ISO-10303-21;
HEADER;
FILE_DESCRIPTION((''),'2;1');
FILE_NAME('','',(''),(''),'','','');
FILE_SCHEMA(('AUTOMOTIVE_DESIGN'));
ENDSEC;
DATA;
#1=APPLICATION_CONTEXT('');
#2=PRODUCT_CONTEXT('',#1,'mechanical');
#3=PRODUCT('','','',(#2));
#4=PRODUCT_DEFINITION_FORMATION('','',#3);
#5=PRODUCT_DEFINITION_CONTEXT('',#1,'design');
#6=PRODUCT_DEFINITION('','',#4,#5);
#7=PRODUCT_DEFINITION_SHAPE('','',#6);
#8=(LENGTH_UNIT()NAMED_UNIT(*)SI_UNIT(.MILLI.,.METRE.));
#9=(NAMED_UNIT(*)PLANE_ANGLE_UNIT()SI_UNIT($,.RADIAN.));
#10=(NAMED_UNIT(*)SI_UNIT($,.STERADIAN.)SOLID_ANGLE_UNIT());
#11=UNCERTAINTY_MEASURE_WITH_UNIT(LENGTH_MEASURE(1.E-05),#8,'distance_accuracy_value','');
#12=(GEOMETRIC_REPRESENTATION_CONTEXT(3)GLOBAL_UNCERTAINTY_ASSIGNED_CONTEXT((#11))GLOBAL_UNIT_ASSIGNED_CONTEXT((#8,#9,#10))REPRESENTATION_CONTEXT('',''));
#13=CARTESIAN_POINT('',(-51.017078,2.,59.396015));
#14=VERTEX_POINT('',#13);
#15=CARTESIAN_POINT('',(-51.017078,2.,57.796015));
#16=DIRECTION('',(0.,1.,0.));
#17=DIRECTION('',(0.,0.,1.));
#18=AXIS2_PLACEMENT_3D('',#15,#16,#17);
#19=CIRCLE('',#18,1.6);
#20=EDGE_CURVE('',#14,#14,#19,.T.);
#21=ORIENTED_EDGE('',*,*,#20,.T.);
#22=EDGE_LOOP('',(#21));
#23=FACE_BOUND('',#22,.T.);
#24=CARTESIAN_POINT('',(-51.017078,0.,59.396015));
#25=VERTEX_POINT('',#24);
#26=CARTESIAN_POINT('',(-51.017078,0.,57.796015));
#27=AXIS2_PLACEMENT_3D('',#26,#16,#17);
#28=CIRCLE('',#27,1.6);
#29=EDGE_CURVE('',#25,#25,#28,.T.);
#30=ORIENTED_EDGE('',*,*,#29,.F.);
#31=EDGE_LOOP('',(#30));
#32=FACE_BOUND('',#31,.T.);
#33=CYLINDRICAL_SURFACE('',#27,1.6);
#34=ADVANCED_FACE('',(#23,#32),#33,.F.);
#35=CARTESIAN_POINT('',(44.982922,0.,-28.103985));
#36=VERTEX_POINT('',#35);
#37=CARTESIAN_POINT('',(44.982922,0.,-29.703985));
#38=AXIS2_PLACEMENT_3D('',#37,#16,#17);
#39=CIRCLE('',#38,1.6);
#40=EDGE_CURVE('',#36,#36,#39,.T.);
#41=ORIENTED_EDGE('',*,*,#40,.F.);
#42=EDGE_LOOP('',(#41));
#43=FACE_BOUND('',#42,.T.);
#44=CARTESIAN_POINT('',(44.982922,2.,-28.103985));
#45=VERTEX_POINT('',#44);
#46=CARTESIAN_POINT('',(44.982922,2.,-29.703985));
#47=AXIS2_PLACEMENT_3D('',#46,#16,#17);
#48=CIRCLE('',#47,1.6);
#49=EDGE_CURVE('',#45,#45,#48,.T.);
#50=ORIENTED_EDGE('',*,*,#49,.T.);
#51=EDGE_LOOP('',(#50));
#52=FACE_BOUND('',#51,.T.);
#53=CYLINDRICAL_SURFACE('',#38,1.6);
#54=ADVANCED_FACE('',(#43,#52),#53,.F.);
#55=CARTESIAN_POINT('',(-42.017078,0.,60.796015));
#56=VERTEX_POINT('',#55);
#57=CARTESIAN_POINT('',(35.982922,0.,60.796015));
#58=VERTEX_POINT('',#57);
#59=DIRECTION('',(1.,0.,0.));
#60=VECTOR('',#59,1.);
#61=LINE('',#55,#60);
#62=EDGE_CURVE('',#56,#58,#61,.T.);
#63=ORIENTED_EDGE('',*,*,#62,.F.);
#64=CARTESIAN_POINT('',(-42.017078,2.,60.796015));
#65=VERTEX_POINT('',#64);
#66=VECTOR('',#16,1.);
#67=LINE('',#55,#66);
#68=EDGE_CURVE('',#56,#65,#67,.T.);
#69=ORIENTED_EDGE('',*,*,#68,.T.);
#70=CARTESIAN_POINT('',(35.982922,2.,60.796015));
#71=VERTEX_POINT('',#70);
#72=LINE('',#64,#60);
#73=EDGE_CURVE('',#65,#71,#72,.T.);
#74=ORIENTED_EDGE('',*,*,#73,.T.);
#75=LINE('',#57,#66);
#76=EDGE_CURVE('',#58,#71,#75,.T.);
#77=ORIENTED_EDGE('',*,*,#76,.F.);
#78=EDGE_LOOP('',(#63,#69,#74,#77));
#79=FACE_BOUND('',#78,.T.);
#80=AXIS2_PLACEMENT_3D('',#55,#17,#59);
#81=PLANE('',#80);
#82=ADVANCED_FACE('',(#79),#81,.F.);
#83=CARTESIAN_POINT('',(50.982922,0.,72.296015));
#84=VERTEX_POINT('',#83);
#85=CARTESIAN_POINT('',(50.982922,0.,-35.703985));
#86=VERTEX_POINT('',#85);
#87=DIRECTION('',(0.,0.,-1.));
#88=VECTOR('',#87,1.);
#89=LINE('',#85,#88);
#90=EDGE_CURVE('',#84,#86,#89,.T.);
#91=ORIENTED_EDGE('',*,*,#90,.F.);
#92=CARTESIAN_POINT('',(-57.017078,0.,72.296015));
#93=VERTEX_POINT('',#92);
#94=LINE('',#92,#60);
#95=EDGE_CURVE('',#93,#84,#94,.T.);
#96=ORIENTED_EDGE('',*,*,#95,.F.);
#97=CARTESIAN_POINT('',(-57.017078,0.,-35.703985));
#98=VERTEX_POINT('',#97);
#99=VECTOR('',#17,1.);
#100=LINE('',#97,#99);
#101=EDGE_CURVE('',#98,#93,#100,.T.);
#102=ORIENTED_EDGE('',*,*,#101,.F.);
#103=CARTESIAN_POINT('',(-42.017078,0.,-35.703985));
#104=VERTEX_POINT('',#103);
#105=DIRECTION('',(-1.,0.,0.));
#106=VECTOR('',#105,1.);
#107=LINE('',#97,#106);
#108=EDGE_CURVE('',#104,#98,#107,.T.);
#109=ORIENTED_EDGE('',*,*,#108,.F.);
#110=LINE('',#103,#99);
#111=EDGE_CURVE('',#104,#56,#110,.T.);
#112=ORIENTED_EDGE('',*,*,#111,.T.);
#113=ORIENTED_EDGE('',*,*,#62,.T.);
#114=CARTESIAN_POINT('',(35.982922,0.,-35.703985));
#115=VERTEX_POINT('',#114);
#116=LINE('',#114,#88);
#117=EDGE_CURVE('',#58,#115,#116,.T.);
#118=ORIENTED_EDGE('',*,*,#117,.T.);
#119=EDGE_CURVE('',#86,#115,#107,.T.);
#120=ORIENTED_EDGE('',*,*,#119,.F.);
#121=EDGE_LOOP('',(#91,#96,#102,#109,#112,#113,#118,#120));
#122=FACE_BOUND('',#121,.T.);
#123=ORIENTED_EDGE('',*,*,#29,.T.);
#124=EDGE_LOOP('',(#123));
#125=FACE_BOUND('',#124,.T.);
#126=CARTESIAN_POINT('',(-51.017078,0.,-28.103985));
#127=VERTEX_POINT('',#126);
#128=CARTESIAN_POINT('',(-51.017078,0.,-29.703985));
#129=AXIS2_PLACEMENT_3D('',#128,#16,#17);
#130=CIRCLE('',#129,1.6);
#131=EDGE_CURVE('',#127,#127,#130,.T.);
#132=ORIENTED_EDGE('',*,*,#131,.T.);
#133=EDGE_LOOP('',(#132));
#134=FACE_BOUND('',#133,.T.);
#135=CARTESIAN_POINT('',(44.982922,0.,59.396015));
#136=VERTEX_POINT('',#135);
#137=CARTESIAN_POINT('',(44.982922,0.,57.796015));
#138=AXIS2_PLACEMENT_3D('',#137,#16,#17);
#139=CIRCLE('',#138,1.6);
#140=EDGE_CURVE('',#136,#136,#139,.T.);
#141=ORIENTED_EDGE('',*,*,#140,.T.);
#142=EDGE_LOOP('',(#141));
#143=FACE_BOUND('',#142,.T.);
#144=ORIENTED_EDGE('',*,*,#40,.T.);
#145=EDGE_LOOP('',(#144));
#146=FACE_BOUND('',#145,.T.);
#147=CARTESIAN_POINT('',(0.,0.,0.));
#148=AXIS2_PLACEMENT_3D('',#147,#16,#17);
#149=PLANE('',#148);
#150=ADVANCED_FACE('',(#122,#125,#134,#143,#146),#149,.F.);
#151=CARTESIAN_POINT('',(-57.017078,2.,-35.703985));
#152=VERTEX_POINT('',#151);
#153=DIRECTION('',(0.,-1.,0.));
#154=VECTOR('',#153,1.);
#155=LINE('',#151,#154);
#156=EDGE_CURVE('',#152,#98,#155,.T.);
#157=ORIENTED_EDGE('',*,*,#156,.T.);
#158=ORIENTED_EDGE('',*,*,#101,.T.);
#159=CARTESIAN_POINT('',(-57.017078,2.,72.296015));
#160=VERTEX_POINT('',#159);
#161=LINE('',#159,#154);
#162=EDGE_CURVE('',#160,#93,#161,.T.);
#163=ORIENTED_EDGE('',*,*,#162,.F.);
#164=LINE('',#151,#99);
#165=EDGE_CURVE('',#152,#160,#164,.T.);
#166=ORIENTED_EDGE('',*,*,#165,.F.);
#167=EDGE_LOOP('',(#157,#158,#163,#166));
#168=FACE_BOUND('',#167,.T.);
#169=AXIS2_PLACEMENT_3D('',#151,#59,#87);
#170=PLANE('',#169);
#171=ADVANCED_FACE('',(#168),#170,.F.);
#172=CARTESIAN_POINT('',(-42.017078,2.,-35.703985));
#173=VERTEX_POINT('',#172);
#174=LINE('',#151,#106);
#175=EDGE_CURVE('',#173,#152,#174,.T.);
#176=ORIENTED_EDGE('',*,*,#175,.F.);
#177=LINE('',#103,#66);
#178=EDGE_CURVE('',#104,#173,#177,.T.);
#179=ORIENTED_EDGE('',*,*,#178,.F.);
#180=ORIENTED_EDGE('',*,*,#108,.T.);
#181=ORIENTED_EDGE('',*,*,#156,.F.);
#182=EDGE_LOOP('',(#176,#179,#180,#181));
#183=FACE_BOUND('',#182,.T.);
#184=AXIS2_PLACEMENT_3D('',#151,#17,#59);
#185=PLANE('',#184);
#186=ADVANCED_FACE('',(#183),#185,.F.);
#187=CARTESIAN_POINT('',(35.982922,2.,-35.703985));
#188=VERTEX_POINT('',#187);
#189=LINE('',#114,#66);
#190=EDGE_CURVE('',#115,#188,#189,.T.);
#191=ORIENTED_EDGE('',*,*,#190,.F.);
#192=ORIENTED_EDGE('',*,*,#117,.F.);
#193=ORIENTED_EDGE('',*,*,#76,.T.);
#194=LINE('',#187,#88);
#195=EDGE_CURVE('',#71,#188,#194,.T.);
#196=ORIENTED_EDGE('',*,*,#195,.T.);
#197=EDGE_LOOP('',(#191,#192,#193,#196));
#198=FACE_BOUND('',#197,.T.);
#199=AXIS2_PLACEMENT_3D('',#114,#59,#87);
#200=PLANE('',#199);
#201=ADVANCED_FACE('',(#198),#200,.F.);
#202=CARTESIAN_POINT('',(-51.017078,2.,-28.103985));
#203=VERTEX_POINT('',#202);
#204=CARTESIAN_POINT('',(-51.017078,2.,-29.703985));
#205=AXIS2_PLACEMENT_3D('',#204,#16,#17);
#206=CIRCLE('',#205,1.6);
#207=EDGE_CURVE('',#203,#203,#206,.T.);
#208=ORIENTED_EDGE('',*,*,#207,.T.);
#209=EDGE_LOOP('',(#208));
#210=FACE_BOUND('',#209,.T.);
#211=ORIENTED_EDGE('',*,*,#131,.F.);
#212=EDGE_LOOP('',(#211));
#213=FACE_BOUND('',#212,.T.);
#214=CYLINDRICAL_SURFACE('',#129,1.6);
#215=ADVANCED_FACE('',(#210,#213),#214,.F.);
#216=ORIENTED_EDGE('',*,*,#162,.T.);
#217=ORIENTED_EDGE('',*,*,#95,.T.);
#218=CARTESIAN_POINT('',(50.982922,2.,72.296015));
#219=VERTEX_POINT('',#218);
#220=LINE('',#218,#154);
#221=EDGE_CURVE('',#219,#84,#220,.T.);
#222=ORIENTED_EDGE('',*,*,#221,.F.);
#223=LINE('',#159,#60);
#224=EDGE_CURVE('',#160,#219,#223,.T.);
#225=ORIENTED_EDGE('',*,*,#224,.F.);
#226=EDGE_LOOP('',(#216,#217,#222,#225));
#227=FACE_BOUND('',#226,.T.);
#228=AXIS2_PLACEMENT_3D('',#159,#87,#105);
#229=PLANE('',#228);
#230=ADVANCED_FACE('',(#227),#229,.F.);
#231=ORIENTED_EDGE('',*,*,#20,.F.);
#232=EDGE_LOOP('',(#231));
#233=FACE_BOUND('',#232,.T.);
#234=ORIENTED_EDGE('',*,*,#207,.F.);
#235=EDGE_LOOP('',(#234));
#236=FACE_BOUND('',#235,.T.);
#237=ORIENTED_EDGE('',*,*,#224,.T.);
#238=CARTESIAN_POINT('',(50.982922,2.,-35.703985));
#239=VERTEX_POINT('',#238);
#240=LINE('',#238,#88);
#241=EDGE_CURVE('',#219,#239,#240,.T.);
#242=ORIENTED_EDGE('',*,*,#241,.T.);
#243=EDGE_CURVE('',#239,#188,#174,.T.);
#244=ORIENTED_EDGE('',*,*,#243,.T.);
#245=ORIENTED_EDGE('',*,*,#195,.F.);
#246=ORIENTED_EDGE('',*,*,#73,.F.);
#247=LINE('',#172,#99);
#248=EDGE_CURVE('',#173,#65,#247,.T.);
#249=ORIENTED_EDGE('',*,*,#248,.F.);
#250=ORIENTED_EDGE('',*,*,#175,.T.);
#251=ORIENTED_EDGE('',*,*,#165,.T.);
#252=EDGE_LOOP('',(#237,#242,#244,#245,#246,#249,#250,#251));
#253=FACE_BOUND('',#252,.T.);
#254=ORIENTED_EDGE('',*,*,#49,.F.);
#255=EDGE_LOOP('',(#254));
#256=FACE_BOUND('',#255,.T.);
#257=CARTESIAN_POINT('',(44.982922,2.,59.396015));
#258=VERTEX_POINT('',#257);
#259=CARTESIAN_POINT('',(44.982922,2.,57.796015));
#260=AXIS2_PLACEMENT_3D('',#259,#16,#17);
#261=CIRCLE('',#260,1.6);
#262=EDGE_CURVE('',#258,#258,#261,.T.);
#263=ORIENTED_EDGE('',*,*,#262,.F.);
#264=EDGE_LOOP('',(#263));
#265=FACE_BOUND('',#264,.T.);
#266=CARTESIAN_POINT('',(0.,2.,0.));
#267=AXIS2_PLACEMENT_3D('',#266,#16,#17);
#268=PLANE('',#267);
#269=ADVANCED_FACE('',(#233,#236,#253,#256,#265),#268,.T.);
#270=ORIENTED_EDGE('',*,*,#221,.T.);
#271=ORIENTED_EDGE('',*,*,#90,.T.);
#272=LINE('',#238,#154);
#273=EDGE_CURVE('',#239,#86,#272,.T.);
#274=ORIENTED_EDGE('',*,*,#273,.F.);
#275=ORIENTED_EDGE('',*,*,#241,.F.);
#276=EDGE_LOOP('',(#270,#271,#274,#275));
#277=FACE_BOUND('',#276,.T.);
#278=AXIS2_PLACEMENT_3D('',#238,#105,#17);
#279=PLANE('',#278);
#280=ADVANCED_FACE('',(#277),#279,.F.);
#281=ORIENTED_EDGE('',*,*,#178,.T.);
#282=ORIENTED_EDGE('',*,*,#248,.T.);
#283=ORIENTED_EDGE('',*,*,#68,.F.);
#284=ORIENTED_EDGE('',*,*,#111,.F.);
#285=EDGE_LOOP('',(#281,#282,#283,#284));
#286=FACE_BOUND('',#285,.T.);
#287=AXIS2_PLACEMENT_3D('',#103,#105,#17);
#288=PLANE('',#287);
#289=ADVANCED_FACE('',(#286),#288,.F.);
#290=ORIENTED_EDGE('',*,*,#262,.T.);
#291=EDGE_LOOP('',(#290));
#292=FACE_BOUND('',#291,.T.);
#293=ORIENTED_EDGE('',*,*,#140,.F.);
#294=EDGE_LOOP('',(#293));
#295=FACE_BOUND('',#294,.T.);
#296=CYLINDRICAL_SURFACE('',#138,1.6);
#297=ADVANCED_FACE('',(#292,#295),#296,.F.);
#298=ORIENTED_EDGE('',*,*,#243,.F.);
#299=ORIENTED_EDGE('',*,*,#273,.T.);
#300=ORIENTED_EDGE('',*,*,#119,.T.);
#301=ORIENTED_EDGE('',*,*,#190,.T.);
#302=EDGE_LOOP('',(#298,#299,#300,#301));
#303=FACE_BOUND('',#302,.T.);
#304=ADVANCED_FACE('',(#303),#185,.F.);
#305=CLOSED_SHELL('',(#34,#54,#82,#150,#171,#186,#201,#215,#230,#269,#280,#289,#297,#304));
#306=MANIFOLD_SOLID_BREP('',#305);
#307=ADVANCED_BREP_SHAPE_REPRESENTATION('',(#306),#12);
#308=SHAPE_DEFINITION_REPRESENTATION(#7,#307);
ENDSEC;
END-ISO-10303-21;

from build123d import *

# Parameters (mm, degrees)
SKETCH_1_W          = 108
SKETCH_1_H          = 108
EXTRUDE_1_DEPTH     = 2
SKETCH_2_R          = 1.6
SKETCH_2_W          = 78
SKETCH_2_H          = 96.5
CUT_EXTRUDE_1_DEPTH = 2


with BuildPart() as part:
    # 草图1 → 凸台-拉伸1 (new body)
    with BuildSketch(Plane(origin=(0, 0, 0), x_dir=(1, 0, 0), z_dir=(0, 1, 0))):
        with Locations((-3.017077799, -18.29601518)):
            Rectangle(SKETCH_1_W, SKETCH_1_H)
    extrude(amount=EXTRUDE_1_DEPTH)

    # 草图2 → 切除-拉伸1 (cut)
    with BuildSketch(Plane(origin=(0, 2, 0), x_dir=(1, 0, 0), z_dir=(0, 1, 0))):
        with Locations(Location((-51.017077799, 29.70398482, 0), (0, 0, 270))):
            Circle(SKETCH_2_R)
        with Locations(Location((44.982922201, 29.70398482, 0), (0, 0, 270))):
            Circle(SKETCH_2_R)
        with Locations(Location((-51.017077799, -57.79601518, 0), (0, 0, 270))):
            Circle(SKETCH_2_R)
        with Locations(Location((44.982922201, -57.79601518, 0), (0, 0, 270))):
            Circle(SKETCH_2_R)
        with Locations((-3.017077799, -12.54601518)):
            Rectangle(SKETCH_2_W, SKETCH_2_H)
    extrude(amount=-CUT_EXTRUDE_1_DEPTH, mode=Mode.SUBTRACT)


solid = part.part
